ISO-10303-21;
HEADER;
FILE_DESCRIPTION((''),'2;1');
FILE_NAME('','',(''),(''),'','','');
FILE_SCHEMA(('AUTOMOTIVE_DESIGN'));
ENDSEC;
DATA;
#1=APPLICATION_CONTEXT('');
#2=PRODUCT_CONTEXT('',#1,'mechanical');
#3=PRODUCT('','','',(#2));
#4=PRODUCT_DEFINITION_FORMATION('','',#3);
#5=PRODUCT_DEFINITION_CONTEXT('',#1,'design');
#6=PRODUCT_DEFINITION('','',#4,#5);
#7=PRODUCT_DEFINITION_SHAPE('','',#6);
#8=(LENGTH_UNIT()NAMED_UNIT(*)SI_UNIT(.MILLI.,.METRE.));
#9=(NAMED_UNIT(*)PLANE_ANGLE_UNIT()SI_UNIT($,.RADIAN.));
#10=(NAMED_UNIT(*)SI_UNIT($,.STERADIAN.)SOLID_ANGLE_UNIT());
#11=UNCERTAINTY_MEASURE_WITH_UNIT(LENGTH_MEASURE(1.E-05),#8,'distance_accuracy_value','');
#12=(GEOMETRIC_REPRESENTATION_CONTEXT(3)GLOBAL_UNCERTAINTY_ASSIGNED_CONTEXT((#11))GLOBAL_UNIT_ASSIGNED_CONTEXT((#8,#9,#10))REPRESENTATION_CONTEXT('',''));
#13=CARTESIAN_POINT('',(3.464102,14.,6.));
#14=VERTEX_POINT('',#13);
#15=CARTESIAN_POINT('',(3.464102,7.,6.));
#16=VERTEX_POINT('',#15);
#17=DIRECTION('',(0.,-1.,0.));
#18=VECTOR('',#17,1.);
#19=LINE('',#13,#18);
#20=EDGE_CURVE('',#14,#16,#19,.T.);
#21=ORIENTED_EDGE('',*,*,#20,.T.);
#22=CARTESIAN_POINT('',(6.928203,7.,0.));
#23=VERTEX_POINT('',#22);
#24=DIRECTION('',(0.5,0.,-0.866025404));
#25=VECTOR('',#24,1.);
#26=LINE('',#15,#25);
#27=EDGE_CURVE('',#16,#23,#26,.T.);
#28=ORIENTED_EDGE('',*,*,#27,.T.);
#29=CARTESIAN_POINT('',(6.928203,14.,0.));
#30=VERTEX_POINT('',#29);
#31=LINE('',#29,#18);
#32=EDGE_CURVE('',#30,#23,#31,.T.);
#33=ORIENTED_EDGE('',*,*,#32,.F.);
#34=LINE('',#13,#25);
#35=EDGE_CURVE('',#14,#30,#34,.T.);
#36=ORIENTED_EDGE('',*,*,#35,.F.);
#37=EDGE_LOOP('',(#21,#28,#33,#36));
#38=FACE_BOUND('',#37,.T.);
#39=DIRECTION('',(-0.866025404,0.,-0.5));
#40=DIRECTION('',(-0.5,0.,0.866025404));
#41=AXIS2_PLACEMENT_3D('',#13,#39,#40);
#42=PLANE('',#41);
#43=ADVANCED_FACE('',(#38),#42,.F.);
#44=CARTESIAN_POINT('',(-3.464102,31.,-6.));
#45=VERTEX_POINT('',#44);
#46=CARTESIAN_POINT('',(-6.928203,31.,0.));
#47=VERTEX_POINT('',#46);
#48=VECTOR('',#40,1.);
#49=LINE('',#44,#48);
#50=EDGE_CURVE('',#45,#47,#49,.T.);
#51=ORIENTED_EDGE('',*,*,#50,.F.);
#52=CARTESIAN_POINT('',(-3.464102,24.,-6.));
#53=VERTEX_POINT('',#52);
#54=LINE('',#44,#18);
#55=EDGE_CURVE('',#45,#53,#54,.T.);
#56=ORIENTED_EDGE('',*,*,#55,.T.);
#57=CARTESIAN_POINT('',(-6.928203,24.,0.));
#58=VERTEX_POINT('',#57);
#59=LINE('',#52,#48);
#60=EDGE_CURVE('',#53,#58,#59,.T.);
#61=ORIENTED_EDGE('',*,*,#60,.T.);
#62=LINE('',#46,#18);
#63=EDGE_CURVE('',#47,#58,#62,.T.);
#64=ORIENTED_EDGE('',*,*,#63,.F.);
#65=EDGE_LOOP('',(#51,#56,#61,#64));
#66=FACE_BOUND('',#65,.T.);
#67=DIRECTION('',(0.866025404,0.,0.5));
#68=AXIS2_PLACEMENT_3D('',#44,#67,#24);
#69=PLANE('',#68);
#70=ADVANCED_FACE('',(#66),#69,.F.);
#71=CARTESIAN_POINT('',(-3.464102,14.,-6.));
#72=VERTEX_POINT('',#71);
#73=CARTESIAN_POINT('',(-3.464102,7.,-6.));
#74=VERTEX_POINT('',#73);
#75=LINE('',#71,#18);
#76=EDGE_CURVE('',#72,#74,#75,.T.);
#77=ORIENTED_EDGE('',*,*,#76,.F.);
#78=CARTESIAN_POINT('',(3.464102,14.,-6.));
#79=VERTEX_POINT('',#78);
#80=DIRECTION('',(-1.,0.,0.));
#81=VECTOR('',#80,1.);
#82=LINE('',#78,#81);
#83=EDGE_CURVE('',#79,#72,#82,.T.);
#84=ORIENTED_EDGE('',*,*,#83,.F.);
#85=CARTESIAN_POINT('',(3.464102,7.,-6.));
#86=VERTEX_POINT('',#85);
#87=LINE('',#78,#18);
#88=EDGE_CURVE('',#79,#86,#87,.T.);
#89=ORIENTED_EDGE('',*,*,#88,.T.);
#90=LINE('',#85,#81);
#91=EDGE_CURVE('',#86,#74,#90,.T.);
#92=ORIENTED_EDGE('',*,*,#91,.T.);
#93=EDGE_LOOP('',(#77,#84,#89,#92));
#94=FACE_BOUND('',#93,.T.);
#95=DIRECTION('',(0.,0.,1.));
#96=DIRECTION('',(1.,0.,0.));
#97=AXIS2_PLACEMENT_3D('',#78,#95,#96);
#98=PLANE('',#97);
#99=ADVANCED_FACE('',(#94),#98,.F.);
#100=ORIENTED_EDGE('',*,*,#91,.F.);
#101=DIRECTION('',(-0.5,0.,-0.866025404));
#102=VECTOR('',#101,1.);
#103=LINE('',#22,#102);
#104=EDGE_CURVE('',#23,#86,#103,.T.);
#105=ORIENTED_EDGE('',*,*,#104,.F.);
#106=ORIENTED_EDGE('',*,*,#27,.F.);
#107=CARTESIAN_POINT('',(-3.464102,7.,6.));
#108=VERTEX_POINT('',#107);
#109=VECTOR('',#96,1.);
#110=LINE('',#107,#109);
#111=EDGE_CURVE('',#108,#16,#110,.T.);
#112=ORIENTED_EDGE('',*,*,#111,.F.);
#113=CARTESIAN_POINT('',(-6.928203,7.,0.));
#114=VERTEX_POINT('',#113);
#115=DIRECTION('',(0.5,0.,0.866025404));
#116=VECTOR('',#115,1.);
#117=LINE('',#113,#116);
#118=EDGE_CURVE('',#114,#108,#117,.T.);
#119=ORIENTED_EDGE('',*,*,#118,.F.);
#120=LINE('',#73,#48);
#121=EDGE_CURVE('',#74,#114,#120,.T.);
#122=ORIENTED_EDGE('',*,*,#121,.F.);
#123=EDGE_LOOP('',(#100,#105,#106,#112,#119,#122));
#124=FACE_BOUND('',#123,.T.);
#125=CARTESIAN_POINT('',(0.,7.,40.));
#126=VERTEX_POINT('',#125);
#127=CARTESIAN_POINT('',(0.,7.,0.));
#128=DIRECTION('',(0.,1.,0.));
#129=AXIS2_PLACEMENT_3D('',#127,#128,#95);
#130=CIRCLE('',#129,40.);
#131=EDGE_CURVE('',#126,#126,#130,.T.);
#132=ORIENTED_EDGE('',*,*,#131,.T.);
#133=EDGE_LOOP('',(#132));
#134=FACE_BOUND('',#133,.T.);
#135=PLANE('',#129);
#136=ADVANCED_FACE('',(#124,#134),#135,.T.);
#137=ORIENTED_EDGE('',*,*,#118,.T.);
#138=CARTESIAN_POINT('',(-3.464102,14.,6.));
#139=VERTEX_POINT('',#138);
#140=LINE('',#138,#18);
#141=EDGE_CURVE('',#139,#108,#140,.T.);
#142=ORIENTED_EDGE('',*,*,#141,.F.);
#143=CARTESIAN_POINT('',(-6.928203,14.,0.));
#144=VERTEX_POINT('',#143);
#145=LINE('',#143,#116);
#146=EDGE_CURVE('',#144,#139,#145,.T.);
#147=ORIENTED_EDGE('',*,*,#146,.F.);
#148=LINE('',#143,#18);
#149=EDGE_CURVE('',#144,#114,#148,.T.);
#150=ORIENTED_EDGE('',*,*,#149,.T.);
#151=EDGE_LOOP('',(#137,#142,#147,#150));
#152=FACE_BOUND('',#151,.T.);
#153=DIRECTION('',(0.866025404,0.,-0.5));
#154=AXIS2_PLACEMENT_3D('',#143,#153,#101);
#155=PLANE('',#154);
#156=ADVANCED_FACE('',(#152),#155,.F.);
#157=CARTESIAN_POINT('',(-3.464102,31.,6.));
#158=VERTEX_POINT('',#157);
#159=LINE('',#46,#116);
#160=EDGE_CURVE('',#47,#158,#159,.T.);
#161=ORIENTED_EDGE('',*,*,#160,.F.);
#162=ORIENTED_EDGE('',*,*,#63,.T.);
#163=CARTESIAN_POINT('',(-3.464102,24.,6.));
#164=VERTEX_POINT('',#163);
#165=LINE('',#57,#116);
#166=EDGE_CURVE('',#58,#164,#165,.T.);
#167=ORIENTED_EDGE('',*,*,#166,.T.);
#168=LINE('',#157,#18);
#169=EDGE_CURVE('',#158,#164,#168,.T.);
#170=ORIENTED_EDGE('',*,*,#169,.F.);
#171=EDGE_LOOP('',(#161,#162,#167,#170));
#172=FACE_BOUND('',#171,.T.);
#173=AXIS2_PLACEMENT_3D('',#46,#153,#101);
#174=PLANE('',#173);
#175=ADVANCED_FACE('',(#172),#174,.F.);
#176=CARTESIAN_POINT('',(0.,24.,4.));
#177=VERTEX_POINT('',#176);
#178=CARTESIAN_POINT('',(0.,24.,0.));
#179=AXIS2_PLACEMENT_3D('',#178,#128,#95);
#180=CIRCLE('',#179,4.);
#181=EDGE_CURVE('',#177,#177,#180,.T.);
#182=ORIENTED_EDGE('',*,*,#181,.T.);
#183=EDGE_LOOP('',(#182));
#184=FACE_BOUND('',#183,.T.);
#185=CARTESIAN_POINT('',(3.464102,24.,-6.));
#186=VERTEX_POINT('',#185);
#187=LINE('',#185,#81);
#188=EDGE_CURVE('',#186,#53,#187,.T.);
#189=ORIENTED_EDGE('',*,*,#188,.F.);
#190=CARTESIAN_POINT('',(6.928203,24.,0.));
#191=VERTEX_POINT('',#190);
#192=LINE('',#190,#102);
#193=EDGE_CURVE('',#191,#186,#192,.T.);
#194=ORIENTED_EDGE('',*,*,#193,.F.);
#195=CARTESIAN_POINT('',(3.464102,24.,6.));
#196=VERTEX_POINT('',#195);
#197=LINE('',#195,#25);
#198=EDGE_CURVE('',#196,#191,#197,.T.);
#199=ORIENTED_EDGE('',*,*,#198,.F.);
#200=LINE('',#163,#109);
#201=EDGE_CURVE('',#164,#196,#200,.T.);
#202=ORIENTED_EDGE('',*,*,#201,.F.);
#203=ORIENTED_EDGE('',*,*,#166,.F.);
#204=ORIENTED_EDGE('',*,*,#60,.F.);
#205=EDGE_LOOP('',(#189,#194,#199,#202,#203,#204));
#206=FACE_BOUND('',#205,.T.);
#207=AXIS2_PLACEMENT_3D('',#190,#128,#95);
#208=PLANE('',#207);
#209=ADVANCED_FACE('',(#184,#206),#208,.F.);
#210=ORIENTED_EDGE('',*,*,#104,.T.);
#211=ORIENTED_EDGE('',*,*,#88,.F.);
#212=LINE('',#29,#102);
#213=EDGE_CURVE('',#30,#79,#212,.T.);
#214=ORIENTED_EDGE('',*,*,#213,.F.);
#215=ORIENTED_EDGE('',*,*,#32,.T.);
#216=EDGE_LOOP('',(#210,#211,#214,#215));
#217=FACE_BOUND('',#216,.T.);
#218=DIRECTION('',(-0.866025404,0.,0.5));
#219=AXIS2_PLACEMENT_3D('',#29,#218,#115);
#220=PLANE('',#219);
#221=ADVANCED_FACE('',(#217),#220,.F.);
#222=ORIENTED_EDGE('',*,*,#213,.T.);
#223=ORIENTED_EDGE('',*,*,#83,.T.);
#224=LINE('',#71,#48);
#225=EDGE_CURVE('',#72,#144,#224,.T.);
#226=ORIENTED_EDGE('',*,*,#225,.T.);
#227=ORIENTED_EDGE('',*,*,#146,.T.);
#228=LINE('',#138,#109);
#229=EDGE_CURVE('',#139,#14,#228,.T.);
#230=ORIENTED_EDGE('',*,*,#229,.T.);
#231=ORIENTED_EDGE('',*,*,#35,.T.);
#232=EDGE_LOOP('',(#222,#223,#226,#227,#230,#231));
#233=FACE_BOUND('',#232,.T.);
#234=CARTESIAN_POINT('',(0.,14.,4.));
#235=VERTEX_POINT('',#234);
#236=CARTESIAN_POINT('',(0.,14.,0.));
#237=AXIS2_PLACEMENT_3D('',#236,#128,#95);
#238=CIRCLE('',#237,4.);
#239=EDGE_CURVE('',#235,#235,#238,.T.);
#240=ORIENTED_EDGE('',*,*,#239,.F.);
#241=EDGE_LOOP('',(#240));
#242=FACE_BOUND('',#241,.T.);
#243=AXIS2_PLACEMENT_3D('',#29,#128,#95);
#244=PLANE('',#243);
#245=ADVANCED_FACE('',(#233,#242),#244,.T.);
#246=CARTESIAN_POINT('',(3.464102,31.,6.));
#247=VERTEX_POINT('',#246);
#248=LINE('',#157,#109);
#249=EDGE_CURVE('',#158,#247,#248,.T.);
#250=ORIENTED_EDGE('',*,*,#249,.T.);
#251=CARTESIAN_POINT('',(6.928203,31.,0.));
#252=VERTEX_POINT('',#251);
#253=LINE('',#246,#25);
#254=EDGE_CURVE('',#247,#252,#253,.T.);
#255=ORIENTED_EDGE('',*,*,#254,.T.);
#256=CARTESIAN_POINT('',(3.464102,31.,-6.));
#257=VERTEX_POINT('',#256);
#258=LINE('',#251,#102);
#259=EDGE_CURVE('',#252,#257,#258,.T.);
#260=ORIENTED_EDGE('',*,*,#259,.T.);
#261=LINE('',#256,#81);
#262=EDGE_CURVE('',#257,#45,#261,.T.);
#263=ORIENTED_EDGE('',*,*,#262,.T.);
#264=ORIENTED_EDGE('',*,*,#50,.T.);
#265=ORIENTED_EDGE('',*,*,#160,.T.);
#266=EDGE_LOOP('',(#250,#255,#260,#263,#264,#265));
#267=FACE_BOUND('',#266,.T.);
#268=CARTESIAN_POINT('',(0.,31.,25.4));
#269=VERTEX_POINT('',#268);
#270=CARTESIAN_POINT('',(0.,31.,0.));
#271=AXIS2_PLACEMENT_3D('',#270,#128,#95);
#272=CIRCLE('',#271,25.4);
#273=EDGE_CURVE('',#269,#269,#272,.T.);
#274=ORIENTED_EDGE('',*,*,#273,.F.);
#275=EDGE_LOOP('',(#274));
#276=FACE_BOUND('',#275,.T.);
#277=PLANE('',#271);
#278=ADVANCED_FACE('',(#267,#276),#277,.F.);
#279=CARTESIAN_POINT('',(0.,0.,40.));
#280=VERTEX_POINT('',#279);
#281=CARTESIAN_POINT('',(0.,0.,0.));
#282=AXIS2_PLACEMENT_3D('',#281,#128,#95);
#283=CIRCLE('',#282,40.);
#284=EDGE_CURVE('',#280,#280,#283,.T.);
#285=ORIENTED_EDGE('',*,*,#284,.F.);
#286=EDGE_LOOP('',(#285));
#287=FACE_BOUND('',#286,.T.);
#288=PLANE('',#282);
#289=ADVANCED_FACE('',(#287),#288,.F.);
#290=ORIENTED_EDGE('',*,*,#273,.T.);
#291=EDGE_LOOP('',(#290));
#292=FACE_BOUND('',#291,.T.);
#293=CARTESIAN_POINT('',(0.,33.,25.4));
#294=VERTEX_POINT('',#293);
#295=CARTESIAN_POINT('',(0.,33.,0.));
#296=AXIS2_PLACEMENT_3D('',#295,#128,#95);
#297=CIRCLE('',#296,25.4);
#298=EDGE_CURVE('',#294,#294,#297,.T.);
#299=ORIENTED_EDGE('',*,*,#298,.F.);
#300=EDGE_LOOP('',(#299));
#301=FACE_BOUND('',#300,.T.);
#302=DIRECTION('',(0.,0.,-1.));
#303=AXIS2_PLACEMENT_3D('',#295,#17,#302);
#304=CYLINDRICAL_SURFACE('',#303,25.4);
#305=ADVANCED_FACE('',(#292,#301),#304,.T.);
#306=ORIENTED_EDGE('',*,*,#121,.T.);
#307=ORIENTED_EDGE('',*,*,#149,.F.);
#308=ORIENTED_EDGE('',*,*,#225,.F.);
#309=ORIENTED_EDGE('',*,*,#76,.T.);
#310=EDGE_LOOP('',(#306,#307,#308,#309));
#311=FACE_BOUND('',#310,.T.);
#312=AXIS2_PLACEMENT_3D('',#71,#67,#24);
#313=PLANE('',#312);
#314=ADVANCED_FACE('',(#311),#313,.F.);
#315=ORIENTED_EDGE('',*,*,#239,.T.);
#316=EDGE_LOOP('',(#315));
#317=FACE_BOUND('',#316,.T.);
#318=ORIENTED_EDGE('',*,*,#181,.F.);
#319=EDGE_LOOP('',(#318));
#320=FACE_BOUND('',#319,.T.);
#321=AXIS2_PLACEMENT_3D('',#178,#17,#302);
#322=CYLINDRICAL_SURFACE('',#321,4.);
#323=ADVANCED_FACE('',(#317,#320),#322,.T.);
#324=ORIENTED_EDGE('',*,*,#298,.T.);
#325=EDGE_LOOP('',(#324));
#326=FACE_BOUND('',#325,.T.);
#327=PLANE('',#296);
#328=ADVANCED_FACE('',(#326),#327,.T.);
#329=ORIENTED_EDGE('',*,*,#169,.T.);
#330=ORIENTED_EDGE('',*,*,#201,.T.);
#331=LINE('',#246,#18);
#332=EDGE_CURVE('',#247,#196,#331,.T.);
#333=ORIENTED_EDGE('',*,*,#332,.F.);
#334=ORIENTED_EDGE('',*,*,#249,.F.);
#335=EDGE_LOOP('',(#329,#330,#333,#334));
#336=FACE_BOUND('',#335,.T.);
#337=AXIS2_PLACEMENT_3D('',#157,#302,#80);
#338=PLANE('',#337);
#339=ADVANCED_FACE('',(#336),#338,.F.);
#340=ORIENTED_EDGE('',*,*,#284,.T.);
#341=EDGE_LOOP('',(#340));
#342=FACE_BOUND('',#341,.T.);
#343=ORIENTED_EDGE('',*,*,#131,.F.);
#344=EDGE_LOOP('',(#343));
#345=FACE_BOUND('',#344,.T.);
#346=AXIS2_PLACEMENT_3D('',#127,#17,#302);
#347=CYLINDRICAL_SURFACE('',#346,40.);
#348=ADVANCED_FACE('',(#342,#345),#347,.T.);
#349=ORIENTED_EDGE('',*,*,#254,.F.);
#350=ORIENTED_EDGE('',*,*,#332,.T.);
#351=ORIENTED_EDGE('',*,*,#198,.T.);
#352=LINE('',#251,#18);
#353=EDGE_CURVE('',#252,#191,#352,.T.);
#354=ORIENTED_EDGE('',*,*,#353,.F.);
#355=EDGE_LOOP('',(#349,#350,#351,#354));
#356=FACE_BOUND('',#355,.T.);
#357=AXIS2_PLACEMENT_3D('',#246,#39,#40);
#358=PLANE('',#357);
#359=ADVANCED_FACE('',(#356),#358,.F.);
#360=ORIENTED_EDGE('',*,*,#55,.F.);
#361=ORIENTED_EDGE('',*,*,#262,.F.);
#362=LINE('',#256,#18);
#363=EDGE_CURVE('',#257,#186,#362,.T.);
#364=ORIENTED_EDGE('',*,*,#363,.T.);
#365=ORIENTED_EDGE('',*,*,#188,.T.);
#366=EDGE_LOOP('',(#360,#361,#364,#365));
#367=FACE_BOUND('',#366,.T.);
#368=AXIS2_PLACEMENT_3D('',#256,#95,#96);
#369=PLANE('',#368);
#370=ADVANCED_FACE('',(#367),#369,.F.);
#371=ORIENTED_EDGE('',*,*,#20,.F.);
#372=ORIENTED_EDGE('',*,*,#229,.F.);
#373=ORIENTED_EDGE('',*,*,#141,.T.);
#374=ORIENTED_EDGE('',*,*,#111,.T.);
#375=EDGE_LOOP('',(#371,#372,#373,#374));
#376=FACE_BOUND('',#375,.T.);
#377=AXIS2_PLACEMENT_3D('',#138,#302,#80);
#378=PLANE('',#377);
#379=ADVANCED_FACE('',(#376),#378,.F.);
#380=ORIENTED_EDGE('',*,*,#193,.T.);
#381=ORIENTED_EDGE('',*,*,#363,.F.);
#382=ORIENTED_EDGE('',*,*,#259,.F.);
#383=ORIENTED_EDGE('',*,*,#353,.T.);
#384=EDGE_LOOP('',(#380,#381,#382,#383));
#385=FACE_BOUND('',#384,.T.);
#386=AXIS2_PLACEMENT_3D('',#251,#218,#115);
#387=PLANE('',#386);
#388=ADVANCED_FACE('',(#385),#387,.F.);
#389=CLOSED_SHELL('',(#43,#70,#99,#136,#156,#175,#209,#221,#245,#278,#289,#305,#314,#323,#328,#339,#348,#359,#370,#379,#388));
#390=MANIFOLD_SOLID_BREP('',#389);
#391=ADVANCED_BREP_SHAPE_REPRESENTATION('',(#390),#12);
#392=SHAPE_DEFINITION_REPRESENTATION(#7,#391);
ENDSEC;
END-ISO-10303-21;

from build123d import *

# Parameters (mm, degrees)
ESBO_O2_R                = 40
RESSALTO_EXTRUS_O1_DEPTH = 7
RESSALTO_EXTRUS_O2_DEPTH = 7
ESBO_O4_R                = 4
RESSALTO_EXTRUS_O3_DEPTH = 10
RESSALTO_EXTRUS_O4_DEPTH = 7
ESBO_O6_R                = 25.4
RESSALTO_EXTRUS_O5_DEPTH = 2


with BuildPart() as part:
    # Esboço2 → Ressalto-extrusão1 (new body)
    with BuildSketch(Plane(origin=(0, 0, 0), x_dir=(1, 0, 0), z_dir=(0, 1, 0))):
        with Locations(Location((0, 0, 0), (0, 0, 270))):
            Circle(ESBO_O2_R)
    extrude(amount=RESSALTO_EXTRUS_O1_DEPTH)

    # Esboço3 → Ressalto-extrusão2 (add)
    with BuildSketch(Plane(origin=(0, 7, 0), x_dir=(1, 0, 0), z_dir=(0, 1, 0))):
        Polygon((6.92820323, 0), (3.464101615, 6), (-3.464101615, 6), (-6.92820323, 0), (-3.464101615, -6), (3.464101615, -6), align=None)
    extrude(amount=RESSALTO_EXTRUS_O2_DEPTH)

    # Esboço4 → Ressalto-extrusão3 (add)
    with BuildSketch(Plane(origin=(0, 14, 0), x_dir=(1, 0, 0), z_dir=(0, 1, 0))):
        with Locations(Location((0, 0, 0), (0, 0, 270))):
            Circle(ESBO_O4_R)
    extrude(amount=RESSALTO_EXTRUS_O3_DEPTH)

    # Esboço5 → Ressalto-extrusão4 (add)
    with BuildSketch(Plane(origin=(0, 24, 0), x_dir=(1, 0, 0), z_dir=(0, 1, 0))):
        Polygon((6.92820323, 0), (3.464101615, 6), (-3.464101615, 6), (-6.92820323, 0), (-3.464101615, -6), (3.464101615, -6), align=None)
    extrude(amount=RESSALTO_EXTRUS_O4_DEPTH)

    # Esboço6 → Ressalto-extrusão5 (add)
    with BuildSketch(Plane(origin=(0, 31, 0), x_dir=(1, 0, 0), z_dir=(0, 1, 0))):
        with Locations(Location((0, 0, 0), (0, 0, 270))):
            Circle(ESBO_O6_R)
    extrude(amount=RESSALTO_EXTRUS_O5_DEPTH)


solid = part.part
